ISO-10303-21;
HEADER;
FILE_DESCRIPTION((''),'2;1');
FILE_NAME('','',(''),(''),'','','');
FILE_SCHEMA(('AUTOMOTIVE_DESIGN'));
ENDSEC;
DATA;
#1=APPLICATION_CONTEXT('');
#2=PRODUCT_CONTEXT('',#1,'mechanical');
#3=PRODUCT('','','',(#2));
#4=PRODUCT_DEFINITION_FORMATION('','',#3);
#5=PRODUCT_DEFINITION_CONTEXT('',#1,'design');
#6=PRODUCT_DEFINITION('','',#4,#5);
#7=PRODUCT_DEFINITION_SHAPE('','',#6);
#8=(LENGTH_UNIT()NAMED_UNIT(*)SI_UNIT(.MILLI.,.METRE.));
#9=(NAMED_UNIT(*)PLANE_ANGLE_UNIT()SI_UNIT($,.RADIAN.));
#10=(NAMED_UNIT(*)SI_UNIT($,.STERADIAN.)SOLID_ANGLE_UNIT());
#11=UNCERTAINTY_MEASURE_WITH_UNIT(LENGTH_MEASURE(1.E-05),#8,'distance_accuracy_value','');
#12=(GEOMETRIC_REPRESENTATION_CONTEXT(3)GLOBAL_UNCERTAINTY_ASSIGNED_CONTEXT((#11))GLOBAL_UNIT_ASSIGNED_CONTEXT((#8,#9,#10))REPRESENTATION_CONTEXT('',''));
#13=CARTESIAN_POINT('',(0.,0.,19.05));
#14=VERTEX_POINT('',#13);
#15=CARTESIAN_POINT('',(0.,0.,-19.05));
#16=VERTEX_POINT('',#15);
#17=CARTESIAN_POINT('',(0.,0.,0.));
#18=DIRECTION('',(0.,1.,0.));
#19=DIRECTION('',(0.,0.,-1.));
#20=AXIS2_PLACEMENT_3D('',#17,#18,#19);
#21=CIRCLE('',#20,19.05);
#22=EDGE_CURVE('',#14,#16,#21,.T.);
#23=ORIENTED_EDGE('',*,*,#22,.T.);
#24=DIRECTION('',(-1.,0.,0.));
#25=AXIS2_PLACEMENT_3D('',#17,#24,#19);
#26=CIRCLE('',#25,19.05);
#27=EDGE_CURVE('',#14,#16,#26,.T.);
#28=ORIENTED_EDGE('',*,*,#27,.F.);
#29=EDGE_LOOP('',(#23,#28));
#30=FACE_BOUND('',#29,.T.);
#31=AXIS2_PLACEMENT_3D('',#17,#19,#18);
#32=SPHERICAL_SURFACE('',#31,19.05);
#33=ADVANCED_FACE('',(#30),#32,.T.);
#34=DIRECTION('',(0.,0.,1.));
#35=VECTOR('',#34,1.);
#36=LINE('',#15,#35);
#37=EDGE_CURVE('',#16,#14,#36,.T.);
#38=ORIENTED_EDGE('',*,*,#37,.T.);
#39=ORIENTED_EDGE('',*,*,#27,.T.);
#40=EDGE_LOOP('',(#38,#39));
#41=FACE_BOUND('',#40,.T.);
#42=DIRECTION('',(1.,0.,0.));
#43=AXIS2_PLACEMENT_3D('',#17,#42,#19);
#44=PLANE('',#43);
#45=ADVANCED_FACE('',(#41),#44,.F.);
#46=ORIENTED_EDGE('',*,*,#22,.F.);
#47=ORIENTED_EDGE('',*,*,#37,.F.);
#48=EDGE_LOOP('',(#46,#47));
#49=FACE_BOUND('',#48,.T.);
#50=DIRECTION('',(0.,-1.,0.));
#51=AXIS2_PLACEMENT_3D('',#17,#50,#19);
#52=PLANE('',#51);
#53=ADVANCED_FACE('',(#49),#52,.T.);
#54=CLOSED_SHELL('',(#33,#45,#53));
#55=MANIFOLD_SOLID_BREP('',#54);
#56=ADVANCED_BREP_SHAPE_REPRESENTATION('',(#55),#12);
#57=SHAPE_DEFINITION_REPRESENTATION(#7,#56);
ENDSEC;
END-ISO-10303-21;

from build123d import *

# Parameters (mm, degrees)
REVOLVE1_ANGLE = 90


with BuildPart() as part:
    # Sketch1 → Revolve1 (revolve)
    with BuildSketch(Plane(origin=(0, 0, 0), x_dir=(1, 0, 0), z_dir=(0, 1, 0))):
        with BuildLine():
            Line((0, 19.05), (0, -19.05))
            ThreePointArc((0, -19.05), (19.05, 0), (0, 19.05))
        make_face()
    revolve(axis=Axis((0, 0, -19.05), (0, 0, 1)), revolution_arc=REVOLVE1_ANGLE)


solid = part.part
